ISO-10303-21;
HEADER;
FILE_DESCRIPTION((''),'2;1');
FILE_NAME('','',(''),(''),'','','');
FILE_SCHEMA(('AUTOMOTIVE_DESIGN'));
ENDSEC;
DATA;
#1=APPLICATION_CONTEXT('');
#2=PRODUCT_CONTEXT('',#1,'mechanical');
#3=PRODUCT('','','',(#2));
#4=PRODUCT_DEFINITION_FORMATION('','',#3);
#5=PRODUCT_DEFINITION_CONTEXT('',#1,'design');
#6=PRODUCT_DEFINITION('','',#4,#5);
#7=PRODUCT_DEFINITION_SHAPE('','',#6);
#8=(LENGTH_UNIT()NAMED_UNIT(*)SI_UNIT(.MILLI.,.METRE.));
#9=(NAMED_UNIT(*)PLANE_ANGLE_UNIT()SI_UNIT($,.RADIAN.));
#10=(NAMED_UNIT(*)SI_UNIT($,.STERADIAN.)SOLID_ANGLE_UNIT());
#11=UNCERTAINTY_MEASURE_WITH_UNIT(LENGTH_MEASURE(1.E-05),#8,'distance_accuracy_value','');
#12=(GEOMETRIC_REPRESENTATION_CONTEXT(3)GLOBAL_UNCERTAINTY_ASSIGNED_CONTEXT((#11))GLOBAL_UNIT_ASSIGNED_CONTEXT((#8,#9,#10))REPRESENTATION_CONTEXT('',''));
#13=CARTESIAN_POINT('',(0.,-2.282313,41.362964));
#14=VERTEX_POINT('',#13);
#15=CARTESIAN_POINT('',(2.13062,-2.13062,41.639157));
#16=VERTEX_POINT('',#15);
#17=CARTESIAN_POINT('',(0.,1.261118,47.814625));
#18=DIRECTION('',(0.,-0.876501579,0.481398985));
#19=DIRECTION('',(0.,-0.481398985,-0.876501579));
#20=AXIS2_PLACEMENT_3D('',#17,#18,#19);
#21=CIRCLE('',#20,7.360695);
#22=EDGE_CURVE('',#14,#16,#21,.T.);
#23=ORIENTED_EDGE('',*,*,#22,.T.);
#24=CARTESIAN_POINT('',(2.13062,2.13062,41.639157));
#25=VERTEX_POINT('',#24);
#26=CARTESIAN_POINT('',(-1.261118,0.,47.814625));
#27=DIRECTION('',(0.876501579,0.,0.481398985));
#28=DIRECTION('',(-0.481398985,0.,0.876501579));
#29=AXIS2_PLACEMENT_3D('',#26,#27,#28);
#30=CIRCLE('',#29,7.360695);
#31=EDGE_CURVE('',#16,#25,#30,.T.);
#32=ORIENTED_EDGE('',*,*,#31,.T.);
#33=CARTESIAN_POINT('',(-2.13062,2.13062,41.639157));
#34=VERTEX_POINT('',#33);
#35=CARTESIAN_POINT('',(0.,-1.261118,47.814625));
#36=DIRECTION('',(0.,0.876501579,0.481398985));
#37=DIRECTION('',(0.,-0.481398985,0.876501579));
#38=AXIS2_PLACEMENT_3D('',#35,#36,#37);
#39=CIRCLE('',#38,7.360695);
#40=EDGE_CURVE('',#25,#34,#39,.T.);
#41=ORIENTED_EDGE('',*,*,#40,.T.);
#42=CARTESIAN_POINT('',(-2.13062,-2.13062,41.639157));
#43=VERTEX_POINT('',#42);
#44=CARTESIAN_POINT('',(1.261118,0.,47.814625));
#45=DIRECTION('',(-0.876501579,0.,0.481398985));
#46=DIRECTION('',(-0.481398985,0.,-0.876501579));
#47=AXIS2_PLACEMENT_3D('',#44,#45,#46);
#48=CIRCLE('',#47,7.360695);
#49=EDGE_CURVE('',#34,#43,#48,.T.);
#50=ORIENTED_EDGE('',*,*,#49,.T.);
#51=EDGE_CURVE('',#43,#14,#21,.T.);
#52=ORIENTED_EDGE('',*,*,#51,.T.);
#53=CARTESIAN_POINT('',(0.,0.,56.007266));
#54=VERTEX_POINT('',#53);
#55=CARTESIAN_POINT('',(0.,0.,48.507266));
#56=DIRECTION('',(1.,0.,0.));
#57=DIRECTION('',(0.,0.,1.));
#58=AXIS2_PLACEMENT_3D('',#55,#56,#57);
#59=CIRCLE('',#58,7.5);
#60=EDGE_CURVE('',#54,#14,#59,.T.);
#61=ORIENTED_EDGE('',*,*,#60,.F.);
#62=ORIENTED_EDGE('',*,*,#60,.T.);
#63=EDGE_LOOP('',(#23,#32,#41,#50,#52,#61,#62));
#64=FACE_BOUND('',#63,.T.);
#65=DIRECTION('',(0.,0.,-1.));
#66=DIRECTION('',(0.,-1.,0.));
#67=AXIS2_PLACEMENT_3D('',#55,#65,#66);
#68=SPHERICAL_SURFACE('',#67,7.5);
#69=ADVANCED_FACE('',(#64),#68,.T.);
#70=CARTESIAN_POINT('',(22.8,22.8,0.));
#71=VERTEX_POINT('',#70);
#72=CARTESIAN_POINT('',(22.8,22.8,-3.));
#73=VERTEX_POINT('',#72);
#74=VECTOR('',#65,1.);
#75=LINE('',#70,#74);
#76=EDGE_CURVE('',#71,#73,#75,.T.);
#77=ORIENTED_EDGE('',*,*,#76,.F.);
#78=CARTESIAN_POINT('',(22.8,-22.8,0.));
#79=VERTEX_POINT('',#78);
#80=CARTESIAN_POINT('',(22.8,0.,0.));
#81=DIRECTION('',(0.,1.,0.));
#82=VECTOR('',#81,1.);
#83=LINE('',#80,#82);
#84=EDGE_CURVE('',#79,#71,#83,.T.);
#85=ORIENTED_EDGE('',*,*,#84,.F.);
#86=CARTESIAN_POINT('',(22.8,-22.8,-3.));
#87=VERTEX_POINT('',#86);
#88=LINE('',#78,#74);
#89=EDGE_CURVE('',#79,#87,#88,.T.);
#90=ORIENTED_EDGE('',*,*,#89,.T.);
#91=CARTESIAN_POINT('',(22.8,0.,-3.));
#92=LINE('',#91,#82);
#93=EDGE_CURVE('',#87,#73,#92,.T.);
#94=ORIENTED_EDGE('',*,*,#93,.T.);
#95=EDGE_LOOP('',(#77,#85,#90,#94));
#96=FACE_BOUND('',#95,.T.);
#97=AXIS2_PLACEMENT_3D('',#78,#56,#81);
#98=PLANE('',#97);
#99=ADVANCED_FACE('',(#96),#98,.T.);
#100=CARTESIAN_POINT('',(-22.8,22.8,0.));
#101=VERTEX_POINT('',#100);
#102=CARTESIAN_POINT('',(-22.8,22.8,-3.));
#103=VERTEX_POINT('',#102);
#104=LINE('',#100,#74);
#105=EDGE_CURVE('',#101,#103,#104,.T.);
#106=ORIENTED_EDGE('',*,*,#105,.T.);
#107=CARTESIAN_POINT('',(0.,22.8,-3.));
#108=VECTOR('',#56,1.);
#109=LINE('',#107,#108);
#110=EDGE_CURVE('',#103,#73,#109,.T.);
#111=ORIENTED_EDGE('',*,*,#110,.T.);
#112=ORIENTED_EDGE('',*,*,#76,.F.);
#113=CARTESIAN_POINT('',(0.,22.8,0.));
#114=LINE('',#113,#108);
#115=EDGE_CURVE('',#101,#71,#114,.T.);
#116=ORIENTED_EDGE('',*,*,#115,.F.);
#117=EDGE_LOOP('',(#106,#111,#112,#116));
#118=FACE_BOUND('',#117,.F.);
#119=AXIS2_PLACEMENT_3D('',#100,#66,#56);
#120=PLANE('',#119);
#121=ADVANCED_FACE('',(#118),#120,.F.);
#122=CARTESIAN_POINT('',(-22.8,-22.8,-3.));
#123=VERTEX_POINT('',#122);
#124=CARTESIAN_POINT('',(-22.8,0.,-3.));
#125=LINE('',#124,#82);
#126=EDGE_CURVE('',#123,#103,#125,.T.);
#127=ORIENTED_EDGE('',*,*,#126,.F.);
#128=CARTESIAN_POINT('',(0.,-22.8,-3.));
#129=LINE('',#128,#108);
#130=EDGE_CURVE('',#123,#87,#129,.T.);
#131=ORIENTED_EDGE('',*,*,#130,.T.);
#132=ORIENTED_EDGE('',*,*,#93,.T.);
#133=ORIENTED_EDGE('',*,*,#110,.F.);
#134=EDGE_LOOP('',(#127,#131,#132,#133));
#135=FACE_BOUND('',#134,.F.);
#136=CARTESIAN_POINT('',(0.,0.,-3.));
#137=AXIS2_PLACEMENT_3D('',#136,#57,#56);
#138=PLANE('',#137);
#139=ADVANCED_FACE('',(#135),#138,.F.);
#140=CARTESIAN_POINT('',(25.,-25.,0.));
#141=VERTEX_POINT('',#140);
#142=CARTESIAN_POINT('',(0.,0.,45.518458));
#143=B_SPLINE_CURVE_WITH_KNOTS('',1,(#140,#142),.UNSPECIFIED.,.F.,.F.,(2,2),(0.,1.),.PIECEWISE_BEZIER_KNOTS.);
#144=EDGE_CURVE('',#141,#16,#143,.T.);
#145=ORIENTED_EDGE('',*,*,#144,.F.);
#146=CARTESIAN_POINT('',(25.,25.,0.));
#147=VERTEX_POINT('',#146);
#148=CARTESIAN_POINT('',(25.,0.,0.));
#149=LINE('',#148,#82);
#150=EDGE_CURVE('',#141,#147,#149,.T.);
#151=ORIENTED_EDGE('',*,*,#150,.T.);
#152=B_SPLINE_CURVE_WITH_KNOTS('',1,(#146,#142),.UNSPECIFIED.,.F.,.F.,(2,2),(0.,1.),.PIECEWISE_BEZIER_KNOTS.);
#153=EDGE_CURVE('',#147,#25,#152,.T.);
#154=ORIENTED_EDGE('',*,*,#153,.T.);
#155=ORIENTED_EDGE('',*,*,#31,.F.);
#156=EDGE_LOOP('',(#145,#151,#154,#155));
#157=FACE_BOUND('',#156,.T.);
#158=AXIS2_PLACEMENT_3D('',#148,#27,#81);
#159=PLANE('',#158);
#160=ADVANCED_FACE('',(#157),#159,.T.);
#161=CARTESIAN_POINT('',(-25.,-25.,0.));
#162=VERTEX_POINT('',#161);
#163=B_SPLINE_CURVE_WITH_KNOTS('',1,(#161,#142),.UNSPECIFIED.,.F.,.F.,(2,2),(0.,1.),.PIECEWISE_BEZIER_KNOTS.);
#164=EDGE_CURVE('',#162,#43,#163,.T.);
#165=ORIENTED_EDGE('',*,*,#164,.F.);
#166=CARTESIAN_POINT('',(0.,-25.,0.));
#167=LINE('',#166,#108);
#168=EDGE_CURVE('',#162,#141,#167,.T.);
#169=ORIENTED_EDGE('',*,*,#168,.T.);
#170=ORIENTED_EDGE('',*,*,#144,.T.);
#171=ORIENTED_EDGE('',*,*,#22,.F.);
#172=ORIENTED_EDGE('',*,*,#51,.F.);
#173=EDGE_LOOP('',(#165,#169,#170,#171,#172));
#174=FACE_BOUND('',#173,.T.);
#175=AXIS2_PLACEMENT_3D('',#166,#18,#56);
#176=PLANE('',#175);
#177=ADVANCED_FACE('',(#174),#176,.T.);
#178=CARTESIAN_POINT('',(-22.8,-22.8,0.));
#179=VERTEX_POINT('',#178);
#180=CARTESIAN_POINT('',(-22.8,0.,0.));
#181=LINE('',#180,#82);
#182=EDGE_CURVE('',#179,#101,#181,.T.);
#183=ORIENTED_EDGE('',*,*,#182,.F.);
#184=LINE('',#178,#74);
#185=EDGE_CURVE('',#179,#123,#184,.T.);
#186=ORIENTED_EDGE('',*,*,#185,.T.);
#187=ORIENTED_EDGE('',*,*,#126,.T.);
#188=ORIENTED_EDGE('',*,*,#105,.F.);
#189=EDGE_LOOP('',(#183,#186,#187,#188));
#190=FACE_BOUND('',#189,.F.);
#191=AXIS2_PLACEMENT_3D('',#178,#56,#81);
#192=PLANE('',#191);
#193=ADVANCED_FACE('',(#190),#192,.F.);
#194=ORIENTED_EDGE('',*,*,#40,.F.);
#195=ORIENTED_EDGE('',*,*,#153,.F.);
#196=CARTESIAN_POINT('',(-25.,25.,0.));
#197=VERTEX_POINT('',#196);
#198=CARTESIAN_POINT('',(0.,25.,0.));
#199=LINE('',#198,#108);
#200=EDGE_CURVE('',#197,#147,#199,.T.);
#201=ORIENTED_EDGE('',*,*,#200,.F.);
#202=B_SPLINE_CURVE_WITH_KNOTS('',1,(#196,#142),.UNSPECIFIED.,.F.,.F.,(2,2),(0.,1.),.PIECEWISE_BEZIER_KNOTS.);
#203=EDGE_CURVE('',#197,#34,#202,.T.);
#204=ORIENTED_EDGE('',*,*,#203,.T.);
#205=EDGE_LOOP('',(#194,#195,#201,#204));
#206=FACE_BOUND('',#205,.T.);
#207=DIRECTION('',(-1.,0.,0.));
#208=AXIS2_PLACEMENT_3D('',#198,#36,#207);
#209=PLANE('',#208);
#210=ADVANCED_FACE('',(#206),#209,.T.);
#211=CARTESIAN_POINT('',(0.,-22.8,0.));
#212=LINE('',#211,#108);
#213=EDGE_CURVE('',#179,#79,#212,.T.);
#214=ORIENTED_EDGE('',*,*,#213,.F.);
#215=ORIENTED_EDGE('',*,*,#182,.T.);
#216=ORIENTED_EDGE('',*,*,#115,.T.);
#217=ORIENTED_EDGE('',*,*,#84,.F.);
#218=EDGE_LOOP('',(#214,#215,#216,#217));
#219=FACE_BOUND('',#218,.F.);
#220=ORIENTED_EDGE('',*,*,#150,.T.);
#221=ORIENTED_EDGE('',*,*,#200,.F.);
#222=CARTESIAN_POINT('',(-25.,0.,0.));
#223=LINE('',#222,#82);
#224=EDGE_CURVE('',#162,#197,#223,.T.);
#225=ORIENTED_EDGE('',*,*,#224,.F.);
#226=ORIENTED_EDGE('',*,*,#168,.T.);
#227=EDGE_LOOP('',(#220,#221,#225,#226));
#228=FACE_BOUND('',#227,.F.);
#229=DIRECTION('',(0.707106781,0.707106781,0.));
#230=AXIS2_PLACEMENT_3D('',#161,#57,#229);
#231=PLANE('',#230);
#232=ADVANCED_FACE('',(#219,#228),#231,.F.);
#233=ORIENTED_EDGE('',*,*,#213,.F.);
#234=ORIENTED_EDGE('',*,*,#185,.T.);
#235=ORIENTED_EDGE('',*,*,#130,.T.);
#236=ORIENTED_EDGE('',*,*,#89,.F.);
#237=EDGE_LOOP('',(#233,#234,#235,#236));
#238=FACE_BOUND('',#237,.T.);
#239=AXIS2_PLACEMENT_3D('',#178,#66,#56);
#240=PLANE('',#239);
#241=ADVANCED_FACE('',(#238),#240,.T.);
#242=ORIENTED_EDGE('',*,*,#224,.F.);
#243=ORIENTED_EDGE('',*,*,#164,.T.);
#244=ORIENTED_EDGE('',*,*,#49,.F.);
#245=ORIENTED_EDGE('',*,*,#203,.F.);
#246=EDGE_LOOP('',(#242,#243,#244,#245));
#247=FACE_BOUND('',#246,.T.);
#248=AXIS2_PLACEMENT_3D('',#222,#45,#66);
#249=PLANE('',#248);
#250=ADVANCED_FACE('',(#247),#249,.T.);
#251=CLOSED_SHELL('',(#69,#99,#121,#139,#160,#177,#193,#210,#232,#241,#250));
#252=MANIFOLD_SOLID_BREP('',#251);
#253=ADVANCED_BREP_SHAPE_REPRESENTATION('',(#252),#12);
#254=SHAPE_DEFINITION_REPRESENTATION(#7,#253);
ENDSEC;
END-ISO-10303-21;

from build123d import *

# Parameters (mm, degrees)
F0_W     = 50
F0_H     = 50
F5_W     = 45.6
F5_H     = 45.6
F6_DEPTH = 3


with BuildPart() as f2:
    # F0 (on Top) → F2 section 0
    with BuildSketch(Plane.XY, mode=Mode.PRIVATE) as f2_s0:
        Rectangle(F0_W, F0_H)
    loft([f2_s0.sketch, Vertex(0, 0, 45.518458)])

    # F3 (on Right) → F4 (revolve)
    with BuildSketch(Plane.YZ):
        with BuildLine():
            Line((0, 41.007266), (0, 56.007266))
            ThreePointArc((0, 56.007266), (-7.5, 48.507266), (0, 41.007266))
        make_face()
    revolve(axis=Axis((0, 0, 48.507266), (0, 0, -1)))

    # F5 (on Top) → F6 (join)
    with BuildSketch(Plane.XY):
        Rectangle(F5_W, F5_H)
    extrude(amount=-F6_DEPTH)


solid = f2.part
